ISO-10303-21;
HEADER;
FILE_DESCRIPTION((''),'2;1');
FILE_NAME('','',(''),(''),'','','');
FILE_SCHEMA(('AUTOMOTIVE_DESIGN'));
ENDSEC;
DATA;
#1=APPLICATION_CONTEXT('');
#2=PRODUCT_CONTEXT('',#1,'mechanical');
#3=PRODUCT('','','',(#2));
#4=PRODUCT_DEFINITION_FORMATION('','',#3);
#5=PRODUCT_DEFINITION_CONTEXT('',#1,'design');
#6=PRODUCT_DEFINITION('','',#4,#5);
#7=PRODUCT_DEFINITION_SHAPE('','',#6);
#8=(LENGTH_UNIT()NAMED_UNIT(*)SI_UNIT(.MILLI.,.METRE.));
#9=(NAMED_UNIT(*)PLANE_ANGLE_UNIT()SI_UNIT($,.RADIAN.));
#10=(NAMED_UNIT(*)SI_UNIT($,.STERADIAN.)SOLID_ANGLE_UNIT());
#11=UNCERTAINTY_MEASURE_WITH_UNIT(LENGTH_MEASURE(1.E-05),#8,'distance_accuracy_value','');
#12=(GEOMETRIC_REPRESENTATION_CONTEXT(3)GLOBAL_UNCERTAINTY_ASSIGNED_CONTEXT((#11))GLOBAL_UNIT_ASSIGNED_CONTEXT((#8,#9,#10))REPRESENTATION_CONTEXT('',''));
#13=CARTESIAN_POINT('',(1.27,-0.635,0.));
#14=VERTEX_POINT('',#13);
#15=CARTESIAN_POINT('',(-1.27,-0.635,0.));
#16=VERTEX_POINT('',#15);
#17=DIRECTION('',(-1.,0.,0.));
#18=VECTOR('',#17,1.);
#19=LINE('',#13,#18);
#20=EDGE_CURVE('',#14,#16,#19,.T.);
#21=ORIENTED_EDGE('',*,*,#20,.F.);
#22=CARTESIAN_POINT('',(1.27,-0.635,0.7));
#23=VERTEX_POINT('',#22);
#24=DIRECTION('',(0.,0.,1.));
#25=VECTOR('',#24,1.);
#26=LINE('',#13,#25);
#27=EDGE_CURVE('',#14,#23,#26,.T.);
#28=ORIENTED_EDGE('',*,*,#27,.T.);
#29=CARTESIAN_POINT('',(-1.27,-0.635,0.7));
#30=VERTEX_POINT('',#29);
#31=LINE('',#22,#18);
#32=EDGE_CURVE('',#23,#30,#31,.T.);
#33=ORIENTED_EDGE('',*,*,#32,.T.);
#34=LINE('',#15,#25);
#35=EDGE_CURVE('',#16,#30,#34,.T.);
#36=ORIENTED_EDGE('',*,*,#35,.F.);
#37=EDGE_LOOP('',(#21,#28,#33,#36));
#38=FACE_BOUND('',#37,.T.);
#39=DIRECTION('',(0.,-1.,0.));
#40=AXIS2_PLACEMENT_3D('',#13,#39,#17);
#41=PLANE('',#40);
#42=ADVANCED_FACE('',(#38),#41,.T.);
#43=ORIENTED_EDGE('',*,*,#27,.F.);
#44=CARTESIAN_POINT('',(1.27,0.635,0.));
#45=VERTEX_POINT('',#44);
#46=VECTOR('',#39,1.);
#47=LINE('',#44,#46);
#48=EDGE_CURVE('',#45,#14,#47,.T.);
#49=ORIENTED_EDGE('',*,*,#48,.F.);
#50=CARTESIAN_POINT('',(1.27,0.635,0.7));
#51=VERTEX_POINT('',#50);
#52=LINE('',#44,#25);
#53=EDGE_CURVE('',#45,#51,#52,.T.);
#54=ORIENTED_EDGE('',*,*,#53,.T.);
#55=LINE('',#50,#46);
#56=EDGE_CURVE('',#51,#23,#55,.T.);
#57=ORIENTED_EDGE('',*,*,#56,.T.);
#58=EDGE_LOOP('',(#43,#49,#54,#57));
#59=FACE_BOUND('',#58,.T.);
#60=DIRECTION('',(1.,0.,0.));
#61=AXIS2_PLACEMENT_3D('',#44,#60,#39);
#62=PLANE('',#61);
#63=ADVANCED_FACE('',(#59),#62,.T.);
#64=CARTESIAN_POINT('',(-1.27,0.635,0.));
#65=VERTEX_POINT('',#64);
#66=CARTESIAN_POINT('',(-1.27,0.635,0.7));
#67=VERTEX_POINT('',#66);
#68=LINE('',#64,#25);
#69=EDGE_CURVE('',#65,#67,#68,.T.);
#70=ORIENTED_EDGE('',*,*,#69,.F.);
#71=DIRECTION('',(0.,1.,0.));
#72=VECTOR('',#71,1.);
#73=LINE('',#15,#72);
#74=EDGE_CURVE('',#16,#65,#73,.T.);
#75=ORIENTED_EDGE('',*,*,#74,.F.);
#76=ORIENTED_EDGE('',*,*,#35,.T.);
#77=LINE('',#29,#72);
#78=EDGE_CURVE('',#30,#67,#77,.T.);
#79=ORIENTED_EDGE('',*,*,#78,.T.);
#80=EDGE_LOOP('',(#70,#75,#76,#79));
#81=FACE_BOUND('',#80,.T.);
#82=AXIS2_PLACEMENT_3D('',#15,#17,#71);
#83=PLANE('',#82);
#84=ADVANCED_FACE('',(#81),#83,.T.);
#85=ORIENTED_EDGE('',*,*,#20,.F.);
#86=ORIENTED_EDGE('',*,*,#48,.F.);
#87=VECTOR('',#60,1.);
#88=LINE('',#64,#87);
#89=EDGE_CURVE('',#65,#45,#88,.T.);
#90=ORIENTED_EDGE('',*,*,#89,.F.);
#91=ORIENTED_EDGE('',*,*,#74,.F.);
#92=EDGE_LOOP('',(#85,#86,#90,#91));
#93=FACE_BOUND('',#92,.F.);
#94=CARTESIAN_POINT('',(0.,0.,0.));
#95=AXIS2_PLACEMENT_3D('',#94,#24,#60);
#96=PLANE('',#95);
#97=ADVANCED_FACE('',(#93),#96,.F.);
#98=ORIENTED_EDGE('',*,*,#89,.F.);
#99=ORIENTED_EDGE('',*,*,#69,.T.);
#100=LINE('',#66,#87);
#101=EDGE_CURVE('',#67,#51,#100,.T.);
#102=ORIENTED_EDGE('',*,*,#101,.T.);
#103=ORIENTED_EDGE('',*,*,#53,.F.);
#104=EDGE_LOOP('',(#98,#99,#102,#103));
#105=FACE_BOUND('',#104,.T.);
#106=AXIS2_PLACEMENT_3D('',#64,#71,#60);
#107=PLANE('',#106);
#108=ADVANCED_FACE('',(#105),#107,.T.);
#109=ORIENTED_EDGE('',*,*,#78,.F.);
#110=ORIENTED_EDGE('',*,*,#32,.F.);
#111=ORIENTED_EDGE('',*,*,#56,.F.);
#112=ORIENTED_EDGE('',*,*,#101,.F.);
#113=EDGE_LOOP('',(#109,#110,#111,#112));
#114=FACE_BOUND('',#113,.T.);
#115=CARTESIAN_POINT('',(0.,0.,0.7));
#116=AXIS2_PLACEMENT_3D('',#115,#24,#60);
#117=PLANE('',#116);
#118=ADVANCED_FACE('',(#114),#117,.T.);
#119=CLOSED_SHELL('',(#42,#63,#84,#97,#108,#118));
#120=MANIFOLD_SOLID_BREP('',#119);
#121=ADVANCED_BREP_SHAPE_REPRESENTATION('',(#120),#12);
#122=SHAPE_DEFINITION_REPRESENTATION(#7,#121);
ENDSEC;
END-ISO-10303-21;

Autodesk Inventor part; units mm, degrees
ref_plane "YZ Plane" through (0, 0, 0) normal (1, 0, 0) x (0, 1, 0)
ref_plane "XZ Plane" through (0, 0, 0) normal (0, 1, 0) x (-1, 0, 0)
ref_plane "XY Plane" through (0, 0, 0) normal (0, 0, 1) x (1, 0, 0)
sketch "LED2012120, 5988170107F_302" plane through (0, 0, 0) normal (0, 0, 1) x (1, 0, 0)
  line L0 (-1.27, 0.635) -> (1.27, 0.635)
  line L1 (1.27, 0.635) -> (1.27, -0.635)
  line L2 (1.27, -0.635) -> (-1.27, -0.635)
  line L3 (-1.27, -0.635) -> (-1.27, 0.635)
extrude "Extrusion1" add sketch "LED2012120, 5988170107F_302" along normal blind 0.7
properties part number "5988170107F"
